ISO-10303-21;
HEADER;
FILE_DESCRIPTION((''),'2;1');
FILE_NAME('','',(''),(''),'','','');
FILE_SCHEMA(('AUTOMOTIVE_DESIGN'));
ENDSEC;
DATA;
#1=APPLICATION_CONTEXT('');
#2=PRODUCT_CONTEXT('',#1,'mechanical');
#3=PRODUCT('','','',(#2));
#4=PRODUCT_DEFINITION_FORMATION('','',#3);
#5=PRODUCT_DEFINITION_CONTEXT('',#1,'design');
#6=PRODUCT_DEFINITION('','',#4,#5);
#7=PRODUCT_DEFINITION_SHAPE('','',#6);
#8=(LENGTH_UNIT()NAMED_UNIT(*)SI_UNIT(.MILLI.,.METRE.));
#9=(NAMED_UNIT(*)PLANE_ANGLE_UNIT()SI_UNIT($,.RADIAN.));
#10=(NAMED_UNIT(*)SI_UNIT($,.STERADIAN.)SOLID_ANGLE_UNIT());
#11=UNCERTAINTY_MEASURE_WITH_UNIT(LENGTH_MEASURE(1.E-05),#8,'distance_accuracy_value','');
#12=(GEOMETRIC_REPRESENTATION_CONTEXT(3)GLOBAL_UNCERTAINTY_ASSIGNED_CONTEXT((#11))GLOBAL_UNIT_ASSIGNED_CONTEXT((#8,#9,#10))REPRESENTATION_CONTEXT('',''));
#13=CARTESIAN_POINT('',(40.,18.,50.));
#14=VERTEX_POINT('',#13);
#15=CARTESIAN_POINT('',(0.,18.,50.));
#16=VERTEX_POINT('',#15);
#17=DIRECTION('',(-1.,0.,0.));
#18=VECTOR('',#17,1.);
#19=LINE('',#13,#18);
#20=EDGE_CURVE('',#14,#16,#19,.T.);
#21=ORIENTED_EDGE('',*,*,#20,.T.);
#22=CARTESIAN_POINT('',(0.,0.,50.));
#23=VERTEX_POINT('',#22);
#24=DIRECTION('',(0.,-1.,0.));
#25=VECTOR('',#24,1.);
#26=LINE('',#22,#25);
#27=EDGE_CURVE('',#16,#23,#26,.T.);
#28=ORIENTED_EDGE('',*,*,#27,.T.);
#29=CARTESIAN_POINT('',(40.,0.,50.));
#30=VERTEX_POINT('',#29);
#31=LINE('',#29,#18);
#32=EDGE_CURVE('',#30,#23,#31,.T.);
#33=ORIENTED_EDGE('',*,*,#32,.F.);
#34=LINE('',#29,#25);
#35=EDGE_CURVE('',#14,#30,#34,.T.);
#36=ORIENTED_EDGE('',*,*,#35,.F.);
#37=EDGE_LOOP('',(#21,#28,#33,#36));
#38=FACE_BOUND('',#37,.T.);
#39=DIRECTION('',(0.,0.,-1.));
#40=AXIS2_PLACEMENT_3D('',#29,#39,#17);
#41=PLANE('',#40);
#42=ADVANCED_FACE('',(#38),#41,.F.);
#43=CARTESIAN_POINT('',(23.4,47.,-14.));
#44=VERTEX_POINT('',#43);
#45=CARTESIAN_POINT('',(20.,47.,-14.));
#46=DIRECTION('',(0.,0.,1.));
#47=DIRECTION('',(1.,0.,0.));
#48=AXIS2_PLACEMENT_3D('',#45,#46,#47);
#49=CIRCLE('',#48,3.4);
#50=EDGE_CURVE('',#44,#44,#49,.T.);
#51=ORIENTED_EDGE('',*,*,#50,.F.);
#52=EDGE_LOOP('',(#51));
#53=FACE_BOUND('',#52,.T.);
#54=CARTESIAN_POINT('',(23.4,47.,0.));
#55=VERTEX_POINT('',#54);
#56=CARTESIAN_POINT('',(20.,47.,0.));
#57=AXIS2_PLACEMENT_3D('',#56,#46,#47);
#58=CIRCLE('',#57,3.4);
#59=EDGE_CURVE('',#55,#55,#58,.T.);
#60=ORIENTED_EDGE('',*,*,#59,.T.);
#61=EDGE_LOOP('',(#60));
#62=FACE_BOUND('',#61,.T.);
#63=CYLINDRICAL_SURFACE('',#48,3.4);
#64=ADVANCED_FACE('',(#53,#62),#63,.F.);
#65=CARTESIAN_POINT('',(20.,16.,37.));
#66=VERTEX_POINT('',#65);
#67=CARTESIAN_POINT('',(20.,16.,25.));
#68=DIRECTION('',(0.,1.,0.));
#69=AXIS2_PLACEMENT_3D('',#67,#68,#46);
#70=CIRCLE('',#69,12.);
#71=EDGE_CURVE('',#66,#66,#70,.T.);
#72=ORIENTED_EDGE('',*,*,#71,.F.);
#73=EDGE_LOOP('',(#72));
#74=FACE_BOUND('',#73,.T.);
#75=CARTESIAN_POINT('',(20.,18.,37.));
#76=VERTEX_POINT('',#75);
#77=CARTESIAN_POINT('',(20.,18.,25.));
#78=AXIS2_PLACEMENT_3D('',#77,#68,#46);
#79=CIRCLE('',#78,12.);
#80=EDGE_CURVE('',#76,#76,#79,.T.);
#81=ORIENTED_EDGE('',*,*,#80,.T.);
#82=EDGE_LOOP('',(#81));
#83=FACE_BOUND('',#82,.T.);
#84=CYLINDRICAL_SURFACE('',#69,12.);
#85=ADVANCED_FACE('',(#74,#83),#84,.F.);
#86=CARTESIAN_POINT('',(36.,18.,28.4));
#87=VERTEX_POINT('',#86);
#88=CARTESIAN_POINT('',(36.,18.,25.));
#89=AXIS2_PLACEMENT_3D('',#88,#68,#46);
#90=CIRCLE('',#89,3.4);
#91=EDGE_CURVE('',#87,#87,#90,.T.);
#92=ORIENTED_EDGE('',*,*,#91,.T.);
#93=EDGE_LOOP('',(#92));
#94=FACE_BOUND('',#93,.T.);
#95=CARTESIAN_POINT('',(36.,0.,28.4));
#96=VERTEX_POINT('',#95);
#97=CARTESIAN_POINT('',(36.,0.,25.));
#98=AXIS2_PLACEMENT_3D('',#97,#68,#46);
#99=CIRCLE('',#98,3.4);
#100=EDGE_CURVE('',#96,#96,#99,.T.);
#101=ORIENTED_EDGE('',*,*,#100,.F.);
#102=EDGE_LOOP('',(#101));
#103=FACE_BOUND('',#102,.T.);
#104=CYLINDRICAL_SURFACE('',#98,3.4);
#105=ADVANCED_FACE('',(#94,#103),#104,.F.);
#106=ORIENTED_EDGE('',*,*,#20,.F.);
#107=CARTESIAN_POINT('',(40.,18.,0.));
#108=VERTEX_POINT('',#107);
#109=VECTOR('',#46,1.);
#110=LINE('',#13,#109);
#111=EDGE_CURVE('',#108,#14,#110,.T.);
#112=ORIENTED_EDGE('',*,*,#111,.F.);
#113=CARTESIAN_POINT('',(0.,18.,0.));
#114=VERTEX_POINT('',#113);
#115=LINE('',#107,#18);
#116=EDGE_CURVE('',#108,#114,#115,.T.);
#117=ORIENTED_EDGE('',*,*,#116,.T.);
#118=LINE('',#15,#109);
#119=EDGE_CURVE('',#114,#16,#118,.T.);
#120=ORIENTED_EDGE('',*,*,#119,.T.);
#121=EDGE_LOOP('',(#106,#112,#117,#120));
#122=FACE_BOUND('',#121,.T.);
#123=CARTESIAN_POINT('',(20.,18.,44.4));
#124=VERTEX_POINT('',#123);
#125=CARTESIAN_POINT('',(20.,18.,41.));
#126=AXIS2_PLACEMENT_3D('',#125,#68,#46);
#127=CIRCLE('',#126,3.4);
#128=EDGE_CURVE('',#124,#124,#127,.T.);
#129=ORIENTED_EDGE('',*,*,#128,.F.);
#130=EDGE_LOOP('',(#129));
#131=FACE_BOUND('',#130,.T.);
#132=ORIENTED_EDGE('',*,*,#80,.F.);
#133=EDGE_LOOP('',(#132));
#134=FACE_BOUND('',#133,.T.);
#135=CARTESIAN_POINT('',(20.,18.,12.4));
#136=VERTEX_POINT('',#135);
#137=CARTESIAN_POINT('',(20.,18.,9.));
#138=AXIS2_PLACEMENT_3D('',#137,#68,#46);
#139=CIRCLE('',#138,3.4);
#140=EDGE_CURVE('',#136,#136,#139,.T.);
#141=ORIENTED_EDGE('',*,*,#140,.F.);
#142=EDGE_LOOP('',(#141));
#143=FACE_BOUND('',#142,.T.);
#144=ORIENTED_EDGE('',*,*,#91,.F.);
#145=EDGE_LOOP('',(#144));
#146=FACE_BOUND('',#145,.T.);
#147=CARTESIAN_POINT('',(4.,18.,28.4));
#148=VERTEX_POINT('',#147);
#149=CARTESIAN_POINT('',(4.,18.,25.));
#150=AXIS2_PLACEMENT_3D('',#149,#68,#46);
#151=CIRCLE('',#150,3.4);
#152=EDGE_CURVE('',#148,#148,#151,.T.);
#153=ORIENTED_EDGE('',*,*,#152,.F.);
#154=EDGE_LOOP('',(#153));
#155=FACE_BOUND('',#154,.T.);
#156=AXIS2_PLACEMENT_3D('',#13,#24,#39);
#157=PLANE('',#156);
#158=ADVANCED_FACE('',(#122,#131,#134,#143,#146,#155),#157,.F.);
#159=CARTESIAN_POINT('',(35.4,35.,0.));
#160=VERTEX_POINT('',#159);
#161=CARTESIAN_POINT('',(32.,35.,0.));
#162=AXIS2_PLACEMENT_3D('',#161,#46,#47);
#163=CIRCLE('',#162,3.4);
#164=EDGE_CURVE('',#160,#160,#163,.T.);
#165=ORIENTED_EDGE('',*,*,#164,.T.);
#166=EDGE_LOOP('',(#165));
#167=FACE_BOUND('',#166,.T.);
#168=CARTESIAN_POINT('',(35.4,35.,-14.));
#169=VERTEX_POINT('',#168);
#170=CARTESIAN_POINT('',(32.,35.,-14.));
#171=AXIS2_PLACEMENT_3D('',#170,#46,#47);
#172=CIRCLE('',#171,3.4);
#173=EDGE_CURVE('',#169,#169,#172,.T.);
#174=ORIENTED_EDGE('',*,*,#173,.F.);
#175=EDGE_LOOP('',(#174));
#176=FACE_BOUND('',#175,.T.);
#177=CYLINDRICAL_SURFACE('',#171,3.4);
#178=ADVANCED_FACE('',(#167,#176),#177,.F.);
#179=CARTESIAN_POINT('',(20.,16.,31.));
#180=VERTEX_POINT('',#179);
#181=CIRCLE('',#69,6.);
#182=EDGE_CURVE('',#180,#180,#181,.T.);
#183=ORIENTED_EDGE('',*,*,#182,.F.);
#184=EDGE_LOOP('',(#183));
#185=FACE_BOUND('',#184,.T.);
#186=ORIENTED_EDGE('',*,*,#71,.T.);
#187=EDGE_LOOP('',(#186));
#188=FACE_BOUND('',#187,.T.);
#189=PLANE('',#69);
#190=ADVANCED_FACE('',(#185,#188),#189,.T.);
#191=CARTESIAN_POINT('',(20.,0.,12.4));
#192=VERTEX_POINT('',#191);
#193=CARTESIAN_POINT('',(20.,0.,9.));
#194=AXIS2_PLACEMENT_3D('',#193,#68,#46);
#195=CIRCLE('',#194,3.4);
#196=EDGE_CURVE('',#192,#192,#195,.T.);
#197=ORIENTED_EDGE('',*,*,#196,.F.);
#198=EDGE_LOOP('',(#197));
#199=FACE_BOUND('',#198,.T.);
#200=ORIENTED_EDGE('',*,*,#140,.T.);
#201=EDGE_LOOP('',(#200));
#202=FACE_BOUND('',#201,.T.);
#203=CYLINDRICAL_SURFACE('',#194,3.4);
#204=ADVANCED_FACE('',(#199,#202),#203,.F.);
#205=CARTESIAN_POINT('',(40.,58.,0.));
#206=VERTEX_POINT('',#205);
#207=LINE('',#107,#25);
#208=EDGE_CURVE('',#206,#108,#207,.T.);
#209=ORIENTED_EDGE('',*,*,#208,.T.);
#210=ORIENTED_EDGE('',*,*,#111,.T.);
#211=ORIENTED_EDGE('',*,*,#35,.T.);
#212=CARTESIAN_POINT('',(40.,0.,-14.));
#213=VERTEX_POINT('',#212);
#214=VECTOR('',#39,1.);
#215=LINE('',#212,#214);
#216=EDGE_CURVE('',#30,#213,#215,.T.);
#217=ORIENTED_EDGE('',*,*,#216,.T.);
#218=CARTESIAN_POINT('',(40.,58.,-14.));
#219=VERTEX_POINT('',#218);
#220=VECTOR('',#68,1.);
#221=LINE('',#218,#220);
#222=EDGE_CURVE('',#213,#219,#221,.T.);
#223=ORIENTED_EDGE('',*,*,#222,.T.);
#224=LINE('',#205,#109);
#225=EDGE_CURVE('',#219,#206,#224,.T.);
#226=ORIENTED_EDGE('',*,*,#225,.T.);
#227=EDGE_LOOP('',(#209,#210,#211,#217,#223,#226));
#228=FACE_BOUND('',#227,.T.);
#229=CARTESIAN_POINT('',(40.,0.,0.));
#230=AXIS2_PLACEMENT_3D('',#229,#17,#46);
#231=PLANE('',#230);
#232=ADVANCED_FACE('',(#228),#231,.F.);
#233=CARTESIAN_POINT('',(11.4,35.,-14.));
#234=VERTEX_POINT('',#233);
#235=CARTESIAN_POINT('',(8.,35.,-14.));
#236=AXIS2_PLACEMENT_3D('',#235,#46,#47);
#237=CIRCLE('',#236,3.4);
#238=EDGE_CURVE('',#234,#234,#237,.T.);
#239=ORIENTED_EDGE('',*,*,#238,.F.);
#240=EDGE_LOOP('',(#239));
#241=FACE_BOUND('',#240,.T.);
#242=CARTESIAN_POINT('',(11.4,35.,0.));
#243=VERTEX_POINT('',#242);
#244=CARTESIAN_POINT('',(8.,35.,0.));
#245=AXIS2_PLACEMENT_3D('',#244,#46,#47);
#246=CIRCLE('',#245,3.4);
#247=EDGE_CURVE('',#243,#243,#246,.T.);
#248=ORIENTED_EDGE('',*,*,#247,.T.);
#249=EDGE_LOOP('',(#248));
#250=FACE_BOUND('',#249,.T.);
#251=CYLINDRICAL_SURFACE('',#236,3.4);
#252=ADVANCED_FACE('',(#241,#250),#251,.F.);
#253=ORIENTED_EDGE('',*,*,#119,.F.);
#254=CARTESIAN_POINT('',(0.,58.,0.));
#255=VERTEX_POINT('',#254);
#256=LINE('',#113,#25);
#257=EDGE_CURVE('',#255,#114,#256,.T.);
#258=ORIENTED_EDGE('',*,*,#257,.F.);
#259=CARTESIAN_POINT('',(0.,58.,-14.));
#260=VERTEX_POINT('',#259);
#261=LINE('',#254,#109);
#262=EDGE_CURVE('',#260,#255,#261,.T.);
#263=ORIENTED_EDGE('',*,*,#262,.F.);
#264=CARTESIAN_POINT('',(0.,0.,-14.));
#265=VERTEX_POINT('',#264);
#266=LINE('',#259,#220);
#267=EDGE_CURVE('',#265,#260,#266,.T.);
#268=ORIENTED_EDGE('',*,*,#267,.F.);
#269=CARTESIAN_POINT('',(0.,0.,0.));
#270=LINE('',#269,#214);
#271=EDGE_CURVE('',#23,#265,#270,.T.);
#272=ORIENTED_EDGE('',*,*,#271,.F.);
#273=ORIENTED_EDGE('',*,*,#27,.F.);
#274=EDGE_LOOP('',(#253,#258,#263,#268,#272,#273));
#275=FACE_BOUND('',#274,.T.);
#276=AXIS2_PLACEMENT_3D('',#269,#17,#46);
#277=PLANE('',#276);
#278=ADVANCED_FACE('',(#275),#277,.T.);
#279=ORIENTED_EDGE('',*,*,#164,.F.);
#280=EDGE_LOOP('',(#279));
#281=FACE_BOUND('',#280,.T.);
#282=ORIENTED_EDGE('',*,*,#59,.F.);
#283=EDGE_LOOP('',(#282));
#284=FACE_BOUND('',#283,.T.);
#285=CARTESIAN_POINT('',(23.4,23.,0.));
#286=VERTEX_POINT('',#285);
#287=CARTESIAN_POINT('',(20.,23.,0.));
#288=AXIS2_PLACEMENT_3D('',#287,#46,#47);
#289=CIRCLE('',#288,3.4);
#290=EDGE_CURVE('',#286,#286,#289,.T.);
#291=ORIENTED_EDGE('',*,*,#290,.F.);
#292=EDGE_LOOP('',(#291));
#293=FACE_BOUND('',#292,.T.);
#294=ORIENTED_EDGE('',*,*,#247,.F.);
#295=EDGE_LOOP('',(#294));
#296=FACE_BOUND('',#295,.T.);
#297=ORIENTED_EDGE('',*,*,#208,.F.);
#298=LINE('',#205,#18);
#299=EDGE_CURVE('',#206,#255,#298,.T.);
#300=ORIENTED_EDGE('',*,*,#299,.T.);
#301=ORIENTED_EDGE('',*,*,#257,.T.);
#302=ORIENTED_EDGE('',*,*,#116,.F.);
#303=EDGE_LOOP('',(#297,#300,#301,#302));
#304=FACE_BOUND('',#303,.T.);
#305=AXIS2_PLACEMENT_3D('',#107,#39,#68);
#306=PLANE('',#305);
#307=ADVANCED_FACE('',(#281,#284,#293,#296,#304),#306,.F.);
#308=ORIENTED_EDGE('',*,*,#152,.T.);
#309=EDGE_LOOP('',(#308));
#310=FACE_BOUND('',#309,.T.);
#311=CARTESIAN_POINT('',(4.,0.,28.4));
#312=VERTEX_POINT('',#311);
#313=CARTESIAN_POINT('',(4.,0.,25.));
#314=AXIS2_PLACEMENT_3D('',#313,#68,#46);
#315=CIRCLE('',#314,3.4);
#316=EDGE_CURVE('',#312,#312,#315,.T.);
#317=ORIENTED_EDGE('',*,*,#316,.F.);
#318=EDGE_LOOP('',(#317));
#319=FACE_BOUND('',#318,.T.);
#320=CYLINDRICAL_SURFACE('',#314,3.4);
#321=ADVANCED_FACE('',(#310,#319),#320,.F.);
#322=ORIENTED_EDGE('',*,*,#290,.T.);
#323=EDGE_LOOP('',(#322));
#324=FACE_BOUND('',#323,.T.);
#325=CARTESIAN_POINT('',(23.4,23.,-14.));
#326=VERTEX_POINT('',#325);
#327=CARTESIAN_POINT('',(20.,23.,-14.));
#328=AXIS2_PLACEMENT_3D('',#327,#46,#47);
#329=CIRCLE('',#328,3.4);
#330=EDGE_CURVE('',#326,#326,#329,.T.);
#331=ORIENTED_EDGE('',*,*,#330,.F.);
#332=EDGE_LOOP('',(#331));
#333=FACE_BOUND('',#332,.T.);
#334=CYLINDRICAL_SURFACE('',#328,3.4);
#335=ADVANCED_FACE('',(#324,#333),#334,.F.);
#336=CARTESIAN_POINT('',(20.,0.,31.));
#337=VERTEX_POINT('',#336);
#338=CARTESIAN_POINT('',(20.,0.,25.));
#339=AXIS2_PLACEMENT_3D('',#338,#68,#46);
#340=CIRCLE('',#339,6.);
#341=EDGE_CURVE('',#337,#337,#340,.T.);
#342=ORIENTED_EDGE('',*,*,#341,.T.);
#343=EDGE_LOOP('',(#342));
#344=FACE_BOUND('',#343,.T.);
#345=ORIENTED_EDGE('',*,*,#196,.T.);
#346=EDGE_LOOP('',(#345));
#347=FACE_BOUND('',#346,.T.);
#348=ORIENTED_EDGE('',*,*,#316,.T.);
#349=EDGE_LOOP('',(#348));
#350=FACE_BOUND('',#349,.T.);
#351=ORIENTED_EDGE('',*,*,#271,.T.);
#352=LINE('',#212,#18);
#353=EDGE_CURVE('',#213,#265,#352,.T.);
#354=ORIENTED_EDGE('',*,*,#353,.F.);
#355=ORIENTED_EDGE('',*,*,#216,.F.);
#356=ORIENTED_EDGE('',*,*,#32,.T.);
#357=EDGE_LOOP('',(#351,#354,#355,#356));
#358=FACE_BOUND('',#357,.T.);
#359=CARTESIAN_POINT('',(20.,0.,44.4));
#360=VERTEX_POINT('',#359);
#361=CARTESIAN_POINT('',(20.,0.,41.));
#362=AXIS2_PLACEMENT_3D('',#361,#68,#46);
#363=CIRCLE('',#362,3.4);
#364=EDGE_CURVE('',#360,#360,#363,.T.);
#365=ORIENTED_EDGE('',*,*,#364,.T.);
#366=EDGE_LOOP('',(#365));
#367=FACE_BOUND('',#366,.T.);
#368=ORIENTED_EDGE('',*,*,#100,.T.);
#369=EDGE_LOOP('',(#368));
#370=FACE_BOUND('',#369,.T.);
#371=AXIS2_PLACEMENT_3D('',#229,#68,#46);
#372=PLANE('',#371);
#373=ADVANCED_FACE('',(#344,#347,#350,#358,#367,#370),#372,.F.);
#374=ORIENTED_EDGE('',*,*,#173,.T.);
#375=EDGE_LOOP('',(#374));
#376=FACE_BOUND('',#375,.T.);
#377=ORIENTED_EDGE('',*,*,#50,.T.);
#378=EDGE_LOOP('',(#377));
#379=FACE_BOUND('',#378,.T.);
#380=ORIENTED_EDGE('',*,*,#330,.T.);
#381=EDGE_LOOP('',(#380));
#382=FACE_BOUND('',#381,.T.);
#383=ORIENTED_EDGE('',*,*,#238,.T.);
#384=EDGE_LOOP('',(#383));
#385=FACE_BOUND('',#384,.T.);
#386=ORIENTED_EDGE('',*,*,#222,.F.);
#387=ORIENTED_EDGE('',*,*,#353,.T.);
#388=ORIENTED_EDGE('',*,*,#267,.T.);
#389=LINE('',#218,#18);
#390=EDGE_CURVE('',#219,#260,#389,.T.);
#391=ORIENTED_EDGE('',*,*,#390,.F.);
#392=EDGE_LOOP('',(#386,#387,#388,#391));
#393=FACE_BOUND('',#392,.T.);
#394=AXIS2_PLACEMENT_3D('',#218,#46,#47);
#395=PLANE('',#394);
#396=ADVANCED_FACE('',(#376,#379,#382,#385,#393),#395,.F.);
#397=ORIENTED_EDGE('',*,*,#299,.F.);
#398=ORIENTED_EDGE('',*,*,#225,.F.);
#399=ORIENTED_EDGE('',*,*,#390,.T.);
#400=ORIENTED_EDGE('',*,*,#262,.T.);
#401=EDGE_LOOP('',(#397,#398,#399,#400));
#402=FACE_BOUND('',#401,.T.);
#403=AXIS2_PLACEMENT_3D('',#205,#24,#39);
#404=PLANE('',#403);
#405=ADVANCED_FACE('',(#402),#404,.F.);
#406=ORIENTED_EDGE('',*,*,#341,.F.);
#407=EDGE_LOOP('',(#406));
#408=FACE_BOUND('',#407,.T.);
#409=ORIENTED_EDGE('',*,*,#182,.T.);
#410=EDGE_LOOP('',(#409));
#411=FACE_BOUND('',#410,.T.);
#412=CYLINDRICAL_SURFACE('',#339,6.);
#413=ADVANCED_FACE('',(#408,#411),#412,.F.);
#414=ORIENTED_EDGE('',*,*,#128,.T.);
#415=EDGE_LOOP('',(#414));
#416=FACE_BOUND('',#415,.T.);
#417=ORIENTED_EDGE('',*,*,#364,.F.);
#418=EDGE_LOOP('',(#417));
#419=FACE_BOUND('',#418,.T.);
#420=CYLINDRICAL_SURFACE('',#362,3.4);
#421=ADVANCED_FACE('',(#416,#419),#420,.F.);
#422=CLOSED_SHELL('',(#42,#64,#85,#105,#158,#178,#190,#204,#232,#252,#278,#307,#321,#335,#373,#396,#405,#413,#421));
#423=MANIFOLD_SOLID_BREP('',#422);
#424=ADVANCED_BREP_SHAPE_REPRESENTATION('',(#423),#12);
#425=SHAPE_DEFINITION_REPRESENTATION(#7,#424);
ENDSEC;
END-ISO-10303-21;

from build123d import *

# Parameters (mm, degrees)
BOSS_EXTRUDE2_DEPTH = 40
SKETCH4_R           = 12
CUT_EXTRUDE4_DEPTH  = 2
SKETCH5_R           = 6
CUT_EXTRUDE5_DEPTH  = 77.576758876
SKETCH6_R           = 3.4
CUT_EXTRUDE6_DEPTH  = 76.498344353
SKETCH7_R           = 3.4
CUT_EXTRUDE7_DEPTH  = 87.394444266


with BuildPart() as part:
    # Sketch1 → Boss-Extrude2 (new body)
    with BuildSketch(Plane(origin=(0, 0, 0), x_dir=(0, 0, -1), z_dir=(1, 0, 0))):
        Polygon((0, 0), (-50, 0), (-50, 18), (0, 18), (0, 58), (14, 58), (14, 0), align=None)
    extrude(amount=BOSS_EXTRUDE2_DEPTH)

    # Sketch4 → Cut-Extrude4 (cut)
    with BuildSketch(Plane(origin=(0, 18, 0), x_dir=(1, 0, 0), z_dir=(0, 1, 0))):
        with Locations(Location((20, -25, 0), (0, 0, 270))):
            Circle(SKETCH4_R)
    extrude(amount=-CUT_EXTRUDE4_DEPTH, mode=Mode.SUBTRACT)

    # Sketch5 → Cut-Extrude5 (cut, through all)
    with BuildSketch(Plane(origin=(0, 16, 0), x_dir=(1, 0, 0), z_dir=(0, 1, 0))):
        with Locations(Location((20, -25, 0), (0, 0, 270))):
            Circle(SKETCH5_R)
    extrude(amount=-CUT_EXTRUDE5_DEPTH, mode=Mode.SUBTRACT)

    # Sketch6 → Cut-Extrude6 (cut, through all)
    with BuildSketch(Plane(origin=(0, 18, 0), x_dir=(1, 0, 0), z_dir=(0, 1, 0))):
        with Locations(Location((20, -9, 0), (0, 0, 270))):
            Circle(SKETCH6_R)
        with Locations(Location((36, -25, 0), (0, 0, 270))):
            Circle(SKETCH6_R)
        with Locations(Location((20, -41, 0), (0, 0, 270))):
            Circle(SKETCH6_R)
        with Locations(Location((4, -25, 0), (0, 0, 270))):
            Circle(SKETCH6_R)
    extrude(amount=-CUT_EXTRUDE6_DEPTH, mode=Mode.SUBTRACT)

    # Sketch7 → Cut-Extrude7 (cut, through all)
    with BuildSketch(Plane.XY):
        with Locations((20, 47)):
            Circle(SKETCH7_R)
        with Locations((32, 35)):
            Circle(SKETCH7_R)
        with Locations((20, 23)):
            Circle(SKETCH7_R)
        with Locations((8, 35)):
            Circle(SKETCH7_R)
    extrude(amount=-CUT_EXTRUDE7_DEPTH, mode=Mode.SUBTRACT)


solid = part.part
